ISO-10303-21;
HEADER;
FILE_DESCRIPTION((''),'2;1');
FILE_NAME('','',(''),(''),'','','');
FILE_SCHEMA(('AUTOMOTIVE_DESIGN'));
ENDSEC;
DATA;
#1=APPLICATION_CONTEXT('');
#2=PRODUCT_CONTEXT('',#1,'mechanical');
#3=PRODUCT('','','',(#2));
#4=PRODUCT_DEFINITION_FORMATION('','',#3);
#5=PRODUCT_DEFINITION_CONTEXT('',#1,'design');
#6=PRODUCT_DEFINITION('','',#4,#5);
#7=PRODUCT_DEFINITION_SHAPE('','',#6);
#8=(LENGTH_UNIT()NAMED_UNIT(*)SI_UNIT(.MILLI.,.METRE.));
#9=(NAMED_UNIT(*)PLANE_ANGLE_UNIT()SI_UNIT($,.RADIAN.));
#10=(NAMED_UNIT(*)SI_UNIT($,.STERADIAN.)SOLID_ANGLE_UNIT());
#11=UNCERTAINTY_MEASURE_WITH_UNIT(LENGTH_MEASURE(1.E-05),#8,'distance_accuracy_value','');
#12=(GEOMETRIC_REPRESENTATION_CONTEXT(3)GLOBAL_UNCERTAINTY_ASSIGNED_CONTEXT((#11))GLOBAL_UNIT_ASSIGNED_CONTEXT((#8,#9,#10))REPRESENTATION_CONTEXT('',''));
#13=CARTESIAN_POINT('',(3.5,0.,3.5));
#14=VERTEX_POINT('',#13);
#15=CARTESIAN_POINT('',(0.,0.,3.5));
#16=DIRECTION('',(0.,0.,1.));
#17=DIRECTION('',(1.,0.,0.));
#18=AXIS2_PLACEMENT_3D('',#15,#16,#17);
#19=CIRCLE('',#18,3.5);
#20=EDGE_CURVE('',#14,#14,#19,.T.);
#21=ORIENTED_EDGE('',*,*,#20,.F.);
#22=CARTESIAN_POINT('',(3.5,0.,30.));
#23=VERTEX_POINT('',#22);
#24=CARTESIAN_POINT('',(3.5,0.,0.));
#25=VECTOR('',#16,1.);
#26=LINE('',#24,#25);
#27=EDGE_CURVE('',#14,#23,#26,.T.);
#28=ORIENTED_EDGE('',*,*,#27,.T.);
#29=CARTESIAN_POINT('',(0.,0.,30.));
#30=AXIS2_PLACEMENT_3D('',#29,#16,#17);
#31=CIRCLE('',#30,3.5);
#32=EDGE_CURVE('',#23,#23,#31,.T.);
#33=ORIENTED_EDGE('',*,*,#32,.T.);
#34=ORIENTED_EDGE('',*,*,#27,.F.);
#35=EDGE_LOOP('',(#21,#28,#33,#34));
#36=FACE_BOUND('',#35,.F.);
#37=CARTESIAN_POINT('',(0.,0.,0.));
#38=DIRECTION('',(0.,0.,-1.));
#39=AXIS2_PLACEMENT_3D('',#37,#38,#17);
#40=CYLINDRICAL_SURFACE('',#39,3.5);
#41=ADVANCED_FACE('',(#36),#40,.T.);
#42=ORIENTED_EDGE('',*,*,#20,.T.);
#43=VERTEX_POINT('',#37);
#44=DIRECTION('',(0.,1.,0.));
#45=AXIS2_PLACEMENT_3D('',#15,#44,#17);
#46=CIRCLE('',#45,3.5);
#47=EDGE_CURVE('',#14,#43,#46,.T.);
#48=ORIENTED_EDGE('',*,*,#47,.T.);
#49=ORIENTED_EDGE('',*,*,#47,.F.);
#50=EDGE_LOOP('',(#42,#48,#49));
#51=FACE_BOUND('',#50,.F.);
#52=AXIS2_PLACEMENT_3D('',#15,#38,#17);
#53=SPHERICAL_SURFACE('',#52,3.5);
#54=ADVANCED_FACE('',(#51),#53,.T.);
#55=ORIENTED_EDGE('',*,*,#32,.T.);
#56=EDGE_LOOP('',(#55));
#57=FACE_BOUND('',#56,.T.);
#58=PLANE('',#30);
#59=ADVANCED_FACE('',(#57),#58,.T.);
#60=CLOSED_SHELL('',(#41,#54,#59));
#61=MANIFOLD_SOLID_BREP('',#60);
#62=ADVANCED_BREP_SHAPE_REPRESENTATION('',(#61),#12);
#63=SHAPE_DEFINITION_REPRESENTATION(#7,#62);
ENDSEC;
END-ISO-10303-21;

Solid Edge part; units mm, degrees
sketch "Sketch1" plane through (0, 0, 0) normal (0, 0, 1) x (1, 0, 0)
  circle A0 centre (0, 0) radius 3.5
  dimension "D1" = 7
extrude "Protrusion1" add sketch "Sketch1" along normal blind 30
fillet "Round1" radius 3.5 1 edges at (-3.5, 0, 0)
